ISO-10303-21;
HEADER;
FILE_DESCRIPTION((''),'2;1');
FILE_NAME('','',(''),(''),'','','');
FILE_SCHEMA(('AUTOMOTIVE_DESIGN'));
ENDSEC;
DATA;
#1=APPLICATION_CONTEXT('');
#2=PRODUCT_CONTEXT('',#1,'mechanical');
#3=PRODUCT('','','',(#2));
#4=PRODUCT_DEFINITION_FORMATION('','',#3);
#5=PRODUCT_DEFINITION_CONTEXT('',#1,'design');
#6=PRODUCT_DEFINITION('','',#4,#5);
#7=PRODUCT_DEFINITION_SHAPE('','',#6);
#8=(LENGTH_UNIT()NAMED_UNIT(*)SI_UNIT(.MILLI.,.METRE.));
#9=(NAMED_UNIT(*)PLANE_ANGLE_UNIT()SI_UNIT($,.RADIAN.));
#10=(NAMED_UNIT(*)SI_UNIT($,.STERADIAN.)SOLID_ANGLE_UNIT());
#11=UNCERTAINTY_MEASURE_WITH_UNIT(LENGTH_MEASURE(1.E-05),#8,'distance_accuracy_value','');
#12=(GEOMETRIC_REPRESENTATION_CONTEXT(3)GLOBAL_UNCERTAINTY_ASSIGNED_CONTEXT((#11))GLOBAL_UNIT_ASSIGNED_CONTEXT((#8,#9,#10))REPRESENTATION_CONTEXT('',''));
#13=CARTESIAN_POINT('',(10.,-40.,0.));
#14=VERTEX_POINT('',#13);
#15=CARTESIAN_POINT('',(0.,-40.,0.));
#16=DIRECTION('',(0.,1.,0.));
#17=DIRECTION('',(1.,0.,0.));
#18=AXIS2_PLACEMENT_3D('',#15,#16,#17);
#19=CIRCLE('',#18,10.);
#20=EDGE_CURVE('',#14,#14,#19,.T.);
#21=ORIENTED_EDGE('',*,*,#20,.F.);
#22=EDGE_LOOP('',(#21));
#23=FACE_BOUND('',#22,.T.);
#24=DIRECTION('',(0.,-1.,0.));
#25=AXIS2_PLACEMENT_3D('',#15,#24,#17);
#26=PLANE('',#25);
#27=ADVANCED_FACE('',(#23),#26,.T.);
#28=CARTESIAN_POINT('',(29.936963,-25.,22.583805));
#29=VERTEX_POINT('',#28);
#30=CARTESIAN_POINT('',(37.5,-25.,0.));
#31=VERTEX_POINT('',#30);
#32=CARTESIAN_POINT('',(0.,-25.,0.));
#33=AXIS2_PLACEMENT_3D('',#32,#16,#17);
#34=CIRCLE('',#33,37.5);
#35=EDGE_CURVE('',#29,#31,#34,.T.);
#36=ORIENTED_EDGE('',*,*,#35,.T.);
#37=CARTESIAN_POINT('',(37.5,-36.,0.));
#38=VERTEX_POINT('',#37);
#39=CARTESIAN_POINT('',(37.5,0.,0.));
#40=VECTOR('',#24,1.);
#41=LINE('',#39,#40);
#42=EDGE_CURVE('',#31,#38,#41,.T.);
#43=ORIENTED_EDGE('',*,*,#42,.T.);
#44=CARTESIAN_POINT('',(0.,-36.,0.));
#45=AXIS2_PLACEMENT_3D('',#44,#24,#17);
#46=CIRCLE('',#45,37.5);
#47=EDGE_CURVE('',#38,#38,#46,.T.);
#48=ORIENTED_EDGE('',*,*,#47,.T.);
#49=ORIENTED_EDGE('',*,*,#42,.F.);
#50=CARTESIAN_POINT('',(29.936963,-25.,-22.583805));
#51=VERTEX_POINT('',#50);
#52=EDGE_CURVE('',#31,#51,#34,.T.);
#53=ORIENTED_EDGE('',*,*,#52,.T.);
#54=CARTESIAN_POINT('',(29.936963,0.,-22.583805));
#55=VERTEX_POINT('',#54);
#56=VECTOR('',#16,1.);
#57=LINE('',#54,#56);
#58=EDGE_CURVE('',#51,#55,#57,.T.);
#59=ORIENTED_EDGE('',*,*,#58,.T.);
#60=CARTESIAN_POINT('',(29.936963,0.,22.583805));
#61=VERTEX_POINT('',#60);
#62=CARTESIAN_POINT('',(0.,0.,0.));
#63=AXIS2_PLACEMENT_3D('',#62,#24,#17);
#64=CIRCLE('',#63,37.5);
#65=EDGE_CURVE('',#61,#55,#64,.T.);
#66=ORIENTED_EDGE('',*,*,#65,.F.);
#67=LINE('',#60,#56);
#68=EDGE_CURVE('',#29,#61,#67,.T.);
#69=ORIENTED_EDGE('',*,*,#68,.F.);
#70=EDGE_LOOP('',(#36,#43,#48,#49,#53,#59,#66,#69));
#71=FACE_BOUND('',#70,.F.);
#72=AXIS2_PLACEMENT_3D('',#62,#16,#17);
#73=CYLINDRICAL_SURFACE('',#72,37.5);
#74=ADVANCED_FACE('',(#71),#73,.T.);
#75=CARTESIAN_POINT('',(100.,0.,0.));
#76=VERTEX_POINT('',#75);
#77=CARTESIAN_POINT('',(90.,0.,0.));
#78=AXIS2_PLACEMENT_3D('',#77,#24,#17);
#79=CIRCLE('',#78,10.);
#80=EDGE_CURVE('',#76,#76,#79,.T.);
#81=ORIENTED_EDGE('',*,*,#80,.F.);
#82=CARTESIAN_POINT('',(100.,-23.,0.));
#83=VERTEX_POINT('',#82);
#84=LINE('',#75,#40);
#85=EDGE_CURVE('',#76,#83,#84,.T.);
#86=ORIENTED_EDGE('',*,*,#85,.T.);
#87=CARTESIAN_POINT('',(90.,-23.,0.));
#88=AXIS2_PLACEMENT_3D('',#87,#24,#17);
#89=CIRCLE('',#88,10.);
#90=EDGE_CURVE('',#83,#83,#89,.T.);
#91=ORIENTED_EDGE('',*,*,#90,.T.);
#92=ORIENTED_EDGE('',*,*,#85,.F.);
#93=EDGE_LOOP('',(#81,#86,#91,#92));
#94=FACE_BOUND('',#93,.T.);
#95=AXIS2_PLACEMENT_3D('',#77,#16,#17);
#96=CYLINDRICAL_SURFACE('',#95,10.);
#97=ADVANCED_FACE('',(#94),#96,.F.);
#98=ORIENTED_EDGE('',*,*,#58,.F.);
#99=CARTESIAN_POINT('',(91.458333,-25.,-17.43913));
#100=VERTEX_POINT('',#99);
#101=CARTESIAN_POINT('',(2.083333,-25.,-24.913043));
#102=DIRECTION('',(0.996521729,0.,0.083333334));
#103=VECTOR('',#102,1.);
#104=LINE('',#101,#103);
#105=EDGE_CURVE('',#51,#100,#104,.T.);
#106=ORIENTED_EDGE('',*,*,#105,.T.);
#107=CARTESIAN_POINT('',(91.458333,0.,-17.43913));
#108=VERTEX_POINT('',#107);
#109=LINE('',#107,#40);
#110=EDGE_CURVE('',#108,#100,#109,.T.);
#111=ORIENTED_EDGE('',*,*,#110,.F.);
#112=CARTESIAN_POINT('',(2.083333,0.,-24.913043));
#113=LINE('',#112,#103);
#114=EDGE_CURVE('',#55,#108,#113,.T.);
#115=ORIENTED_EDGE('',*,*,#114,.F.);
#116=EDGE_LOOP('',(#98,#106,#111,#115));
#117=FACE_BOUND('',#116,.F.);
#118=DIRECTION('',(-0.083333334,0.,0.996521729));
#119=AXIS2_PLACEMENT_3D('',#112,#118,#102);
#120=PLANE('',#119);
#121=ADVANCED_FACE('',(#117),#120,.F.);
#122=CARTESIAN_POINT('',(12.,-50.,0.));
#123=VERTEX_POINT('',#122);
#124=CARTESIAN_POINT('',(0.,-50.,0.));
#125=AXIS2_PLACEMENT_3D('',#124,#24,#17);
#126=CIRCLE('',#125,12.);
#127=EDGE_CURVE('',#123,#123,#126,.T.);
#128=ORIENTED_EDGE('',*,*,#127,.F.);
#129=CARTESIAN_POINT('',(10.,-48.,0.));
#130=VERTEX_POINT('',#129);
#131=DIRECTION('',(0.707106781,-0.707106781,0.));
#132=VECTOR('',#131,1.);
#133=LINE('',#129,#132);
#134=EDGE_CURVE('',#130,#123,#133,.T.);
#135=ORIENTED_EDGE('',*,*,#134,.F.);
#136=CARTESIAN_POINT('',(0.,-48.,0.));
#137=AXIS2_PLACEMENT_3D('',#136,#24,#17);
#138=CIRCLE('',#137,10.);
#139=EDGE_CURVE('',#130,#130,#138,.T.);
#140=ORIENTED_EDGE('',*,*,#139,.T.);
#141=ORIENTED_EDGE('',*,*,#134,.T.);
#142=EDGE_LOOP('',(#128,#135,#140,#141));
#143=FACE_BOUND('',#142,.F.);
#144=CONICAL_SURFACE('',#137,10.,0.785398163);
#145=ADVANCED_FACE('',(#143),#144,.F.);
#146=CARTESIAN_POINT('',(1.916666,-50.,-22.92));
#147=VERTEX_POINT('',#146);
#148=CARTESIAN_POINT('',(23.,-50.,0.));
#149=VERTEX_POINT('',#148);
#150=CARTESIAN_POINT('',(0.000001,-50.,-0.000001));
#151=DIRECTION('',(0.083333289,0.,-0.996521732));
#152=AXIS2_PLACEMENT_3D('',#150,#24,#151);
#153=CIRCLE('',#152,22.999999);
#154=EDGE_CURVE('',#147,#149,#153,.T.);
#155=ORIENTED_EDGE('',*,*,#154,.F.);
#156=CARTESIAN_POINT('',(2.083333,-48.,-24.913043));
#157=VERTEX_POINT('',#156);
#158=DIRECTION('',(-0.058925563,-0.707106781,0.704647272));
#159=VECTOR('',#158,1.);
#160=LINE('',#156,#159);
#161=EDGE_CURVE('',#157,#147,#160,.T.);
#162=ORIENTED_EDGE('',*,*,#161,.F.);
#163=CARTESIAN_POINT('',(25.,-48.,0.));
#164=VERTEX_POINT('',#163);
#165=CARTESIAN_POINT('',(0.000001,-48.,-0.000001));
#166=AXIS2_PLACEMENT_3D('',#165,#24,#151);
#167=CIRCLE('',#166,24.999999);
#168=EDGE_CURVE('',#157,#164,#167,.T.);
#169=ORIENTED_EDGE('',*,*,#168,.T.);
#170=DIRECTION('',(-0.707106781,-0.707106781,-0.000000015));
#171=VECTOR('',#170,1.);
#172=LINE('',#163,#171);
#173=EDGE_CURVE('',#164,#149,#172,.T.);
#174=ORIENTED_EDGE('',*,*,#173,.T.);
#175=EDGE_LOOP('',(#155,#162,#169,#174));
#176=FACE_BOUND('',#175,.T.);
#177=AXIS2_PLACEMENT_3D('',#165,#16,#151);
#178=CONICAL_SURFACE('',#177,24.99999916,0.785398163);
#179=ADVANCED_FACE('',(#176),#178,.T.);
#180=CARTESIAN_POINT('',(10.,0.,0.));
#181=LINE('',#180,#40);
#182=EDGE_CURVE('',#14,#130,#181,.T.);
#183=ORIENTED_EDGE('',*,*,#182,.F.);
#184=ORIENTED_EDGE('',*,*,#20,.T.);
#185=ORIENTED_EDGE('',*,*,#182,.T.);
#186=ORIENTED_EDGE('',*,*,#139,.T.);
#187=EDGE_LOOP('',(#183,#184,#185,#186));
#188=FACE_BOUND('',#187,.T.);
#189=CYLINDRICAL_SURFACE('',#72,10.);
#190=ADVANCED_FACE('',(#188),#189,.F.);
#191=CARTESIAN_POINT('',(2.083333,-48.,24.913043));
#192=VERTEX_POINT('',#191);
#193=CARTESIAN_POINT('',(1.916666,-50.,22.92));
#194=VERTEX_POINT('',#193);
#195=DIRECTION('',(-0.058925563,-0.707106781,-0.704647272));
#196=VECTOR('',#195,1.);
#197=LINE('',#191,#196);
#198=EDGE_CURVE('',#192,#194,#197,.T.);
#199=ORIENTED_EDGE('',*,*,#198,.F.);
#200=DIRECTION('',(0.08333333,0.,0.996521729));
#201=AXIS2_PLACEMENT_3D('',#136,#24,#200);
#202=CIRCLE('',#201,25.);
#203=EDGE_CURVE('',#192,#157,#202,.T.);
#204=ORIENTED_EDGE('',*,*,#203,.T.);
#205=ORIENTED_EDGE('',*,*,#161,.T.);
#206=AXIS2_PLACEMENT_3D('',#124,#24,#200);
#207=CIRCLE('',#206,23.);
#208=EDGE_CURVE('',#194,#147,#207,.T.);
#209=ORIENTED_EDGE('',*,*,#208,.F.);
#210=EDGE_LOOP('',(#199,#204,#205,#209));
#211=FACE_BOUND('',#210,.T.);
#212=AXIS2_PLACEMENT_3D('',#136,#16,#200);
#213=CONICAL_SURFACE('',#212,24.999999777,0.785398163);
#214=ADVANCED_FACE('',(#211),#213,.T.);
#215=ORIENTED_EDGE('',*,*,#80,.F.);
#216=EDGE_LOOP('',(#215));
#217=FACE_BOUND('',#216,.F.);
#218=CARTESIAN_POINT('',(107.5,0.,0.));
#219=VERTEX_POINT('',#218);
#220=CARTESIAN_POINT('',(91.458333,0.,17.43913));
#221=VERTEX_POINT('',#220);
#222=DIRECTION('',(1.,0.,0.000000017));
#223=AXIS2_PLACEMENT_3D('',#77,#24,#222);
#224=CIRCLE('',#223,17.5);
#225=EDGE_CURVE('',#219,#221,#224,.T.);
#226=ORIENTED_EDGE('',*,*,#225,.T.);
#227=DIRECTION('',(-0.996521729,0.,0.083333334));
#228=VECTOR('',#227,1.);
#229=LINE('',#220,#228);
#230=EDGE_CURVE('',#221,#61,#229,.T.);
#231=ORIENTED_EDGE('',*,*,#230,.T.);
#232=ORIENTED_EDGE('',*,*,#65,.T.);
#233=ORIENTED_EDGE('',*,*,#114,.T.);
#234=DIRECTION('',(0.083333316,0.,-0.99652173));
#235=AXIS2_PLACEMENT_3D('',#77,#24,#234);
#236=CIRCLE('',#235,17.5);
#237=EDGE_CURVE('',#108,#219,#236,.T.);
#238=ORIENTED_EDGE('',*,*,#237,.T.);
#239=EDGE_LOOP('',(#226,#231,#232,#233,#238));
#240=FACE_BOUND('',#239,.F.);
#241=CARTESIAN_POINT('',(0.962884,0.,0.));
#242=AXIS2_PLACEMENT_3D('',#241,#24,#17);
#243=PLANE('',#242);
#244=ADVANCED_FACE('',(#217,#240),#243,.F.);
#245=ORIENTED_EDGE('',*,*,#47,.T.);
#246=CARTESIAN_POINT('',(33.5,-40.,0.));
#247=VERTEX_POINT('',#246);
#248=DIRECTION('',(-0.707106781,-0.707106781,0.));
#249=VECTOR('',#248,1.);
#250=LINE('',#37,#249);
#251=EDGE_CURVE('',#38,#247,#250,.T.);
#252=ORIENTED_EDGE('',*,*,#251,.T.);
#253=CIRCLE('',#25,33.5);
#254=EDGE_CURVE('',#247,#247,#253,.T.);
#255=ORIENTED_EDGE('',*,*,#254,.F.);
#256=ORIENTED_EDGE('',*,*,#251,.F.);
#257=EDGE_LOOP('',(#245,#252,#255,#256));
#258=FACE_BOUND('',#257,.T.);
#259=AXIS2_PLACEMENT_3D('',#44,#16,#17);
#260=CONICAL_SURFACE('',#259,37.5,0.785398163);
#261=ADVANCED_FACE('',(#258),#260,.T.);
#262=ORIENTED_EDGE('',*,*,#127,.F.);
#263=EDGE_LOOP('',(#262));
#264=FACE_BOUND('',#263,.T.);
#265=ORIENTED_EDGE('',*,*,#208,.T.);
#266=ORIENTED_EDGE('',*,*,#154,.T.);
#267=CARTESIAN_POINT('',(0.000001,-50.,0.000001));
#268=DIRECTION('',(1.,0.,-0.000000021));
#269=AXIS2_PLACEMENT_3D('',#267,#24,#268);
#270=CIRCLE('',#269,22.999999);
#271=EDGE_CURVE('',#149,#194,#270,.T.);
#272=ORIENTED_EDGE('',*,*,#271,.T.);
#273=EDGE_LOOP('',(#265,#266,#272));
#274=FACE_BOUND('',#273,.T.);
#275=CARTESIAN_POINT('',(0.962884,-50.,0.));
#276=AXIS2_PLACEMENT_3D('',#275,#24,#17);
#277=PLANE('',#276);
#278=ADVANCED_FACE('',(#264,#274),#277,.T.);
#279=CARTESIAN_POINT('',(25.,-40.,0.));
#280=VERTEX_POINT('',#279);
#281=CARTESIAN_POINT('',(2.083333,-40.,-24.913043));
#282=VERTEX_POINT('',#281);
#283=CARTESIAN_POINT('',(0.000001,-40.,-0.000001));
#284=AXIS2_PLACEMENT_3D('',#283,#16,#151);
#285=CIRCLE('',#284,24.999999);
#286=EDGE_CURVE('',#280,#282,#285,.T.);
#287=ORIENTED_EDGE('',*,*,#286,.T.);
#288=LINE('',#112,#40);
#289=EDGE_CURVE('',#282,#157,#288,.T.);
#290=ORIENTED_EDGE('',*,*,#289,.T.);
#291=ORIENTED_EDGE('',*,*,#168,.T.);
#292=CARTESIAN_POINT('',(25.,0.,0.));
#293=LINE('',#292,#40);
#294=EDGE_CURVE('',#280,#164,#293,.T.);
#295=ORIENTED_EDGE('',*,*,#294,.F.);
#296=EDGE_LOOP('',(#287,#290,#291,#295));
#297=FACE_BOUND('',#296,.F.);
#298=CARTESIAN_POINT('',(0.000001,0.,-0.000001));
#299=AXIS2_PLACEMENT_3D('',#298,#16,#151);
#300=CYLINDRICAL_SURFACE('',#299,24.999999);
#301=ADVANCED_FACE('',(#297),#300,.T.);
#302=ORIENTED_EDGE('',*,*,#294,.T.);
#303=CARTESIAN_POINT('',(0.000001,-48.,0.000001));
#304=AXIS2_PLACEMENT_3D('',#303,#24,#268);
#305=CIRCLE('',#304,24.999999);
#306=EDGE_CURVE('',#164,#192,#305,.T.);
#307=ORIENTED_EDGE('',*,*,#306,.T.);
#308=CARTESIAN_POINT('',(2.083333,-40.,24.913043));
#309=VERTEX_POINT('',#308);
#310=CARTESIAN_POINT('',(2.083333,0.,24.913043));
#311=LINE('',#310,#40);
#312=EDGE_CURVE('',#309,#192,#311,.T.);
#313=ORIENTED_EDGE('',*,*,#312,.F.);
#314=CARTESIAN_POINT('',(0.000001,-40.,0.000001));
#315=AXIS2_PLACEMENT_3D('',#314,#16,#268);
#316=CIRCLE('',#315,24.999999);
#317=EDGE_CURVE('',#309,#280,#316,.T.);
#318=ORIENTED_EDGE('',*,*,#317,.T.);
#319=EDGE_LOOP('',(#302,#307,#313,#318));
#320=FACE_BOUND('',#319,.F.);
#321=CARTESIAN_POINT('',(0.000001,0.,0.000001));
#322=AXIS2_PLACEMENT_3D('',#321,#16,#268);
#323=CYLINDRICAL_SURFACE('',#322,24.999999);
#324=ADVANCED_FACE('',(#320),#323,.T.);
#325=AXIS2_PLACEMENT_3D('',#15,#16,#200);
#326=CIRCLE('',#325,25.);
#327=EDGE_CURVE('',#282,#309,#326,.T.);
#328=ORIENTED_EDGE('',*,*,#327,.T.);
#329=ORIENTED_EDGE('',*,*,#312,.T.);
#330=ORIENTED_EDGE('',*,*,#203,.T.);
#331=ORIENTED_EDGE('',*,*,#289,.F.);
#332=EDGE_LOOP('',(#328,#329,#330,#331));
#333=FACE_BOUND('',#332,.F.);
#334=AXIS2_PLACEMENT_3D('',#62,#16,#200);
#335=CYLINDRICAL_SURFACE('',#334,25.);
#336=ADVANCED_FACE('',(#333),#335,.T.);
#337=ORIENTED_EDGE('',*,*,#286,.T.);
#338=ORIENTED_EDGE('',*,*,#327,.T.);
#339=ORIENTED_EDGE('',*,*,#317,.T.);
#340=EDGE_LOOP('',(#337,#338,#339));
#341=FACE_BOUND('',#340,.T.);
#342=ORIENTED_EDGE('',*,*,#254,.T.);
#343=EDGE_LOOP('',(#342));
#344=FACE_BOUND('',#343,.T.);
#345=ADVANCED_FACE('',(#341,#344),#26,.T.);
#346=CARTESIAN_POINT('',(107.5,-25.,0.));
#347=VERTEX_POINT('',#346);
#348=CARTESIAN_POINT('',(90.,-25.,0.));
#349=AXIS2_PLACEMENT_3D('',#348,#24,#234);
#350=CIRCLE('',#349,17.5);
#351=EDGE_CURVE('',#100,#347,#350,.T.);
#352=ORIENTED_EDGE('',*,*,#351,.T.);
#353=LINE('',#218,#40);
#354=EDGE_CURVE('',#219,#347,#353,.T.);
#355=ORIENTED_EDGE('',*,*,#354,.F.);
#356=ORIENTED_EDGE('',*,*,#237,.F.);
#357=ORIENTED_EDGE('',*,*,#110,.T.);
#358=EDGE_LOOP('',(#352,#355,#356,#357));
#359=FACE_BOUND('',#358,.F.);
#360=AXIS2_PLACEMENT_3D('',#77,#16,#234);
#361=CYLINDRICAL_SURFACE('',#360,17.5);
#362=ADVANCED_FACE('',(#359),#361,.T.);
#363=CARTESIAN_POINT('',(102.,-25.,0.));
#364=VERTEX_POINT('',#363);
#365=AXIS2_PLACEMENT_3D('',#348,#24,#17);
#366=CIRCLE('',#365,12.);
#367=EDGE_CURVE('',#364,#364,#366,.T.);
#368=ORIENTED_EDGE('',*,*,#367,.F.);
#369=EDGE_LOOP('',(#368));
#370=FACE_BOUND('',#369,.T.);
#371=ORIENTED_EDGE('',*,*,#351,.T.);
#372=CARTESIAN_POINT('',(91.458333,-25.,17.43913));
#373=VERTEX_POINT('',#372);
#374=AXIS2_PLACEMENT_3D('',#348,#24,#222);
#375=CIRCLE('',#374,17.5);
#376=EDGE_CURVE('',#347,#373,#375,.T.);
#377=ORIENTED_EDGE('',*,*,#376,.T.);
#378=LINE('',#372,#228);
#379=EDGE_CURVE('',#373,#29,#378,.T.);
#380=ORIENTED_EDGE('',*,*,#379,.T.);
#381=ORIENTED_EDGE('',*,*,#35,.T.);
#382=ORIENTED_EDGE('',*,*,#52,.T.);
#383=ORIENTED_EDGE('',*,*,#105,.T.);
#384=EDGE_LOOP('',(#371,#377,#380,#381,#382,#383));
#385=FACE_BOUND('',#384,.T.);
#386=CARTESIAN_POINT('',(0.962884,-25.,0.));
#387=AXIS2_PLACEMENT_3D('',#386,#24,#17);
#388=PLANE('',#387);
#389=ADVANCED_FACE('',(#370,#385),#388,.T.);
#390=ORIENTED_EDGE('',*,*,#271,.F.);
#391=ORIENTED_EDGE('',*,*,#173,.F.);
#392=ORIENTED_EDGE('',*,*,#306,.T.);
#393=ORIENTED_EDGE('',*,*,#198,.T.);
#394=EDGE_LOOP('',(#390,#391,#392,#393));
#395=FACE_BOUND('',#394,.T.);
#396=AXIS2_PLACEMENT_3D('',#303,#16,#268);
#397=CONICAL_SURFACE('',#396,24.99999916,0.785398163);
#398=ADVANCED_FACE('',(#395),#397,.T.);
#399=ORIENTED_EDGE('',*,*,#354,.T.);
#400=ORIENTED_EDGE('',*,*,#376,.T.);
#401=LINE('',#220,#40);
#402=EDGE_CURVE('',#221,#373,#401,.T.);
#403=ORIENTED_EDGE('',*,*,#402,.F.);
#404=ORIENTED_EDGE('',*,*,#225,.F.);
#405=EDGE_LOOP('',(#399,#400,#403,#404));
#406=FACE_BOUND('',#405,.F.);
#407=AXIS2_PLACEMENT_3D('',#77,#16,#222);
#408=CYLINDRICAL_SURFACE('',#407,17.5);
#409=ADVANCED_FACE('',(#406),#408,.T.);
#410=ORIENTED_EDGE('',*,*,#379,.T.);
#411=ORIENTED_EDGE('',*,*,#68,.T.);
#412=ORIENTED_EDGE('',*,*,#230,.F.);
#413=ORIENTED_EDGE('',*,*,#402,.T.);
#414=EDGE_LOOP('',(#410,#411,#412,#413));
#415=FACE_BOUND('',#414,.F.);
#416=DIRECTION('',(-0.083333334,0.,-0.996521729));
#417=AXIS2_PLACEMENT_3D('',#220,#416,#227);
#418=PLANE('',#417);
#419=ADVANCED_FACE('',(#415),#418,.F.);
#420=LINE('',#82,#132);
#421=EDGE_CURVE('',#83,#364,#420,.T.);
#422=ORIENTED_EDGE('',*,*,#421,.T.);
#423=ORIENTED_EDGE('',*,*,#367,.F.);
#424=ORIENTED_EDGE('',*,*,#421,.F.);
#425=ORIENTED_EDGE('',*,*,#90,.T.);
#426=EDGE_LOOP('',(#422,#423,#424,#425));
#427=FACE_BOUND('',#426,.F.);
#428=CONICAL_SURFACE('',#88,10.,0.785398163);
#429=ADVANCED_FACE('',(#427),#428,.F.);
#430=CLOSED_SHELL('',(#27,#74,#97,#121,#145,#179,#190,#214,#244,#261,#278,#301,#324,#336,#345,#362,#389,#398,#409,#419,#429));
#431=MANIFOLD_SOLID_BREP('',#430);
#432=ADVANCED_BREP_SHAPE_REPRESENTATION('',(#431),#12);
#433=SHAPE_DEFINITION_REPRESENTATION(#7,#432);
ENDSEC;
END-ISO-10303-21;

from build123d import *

# Parameters (mm, degrees)
F0_R     = 10
F1_DEPTH = 25
F2_DEPTH = 50
F3_SIZE  = 2
F4_R     = 37.5
F5_DEPTH = 40
F6_SIZE  = 4


with BuildPart() as f1:
    # F0 (on Front) → F1 (new body)
    with BuildSketch(Plane.XZ):
        with BuildLine():
            ThreePointArc((2.083333, -24.913043), (18.399502, -16.92508), (25, 0))
            ThreePointArc((25, 0), (18.399502, 16.92508), (2.083333, 24.913043))
            ThreePointArc((2.083333, 24.913043), (-25, 0), (2.083333, -24.913043))
        make_face()
        Circle(F0_R, mode=Mode.SUBTRACT)
        with BuildLine():
            ThreePointArc((2.083333, 24.913043), (18.399502, 16.92508), (25, 0))
            ThreePointArc((25, 0), (18.399502, -16.92508), (2.083333, -24.913043))
            Line((2.083333, -24.913043), (91.458333, -17.43913))
            ThreePointArc((91.458333, -17.43913), (72.5, 0), (91.458333, 17.43913))
            Line((91.458333, 17.43913), (2.083333, 24.913043))
        make_face()
        with BuildLine():
            ThreePointArc((107.5, 0), (102.879651, 11.847556), (91.458333, 17.43913))
            ThreePointArc((91.458333, 17.43913), (72.5, 0), (91.458333, -17.43913))
            ThreePointArc((91.458333, -17.43913), (102.879651, -11.847556), (107.5, 0))
        make_face()
        with Locations((90, 0)):
            Circle(F0_R, mode=Mode.SUBTRACT)
    extrude(amount=F1_DEPTH)

    # F0 (on Front) → F2 (join)
    with BuildSketch(Plane.XZ):
        with BuildLine():
            ThreePointArc((2.083333, -24.913043), (18.399502, -16.92508), (25, 0))
            ThreePointArc((25, 0), (18.399502, 16.92508), (2.083333, 24.913043))
            ThreePointArc((2.083333, 24.913043), (-25, 0), (2.083333, -24.913043))
        make_face()
        Circle(F0_R, mode=Mode.SUBTRACT)
    extrude(amount=F2_DEPTH)

    # F3
    f3_edges = [f1.edges().sort_by_distance(p)[0] for p in [
        (-2.083333, -50, 24.913043),
        (-10, -50, 0),
        (80, -25, 0),
    ]]
    chamfer(f3_edges, length=F3_SIZE)

    # F4 (on Front) → F5 (join)
    with BuildSketch(Plane.XZ):
        Circle(F4_R)
    extrude(amount=F5_DEPTH)

    # F6
    f6_edges = [f1.edges().sort_by_distance(p)[0] for p in [
        (-37.5, -40, 0),
    ]]
    chamfer(f6_edges, length=F6_SIZE)


solid = f1.part
